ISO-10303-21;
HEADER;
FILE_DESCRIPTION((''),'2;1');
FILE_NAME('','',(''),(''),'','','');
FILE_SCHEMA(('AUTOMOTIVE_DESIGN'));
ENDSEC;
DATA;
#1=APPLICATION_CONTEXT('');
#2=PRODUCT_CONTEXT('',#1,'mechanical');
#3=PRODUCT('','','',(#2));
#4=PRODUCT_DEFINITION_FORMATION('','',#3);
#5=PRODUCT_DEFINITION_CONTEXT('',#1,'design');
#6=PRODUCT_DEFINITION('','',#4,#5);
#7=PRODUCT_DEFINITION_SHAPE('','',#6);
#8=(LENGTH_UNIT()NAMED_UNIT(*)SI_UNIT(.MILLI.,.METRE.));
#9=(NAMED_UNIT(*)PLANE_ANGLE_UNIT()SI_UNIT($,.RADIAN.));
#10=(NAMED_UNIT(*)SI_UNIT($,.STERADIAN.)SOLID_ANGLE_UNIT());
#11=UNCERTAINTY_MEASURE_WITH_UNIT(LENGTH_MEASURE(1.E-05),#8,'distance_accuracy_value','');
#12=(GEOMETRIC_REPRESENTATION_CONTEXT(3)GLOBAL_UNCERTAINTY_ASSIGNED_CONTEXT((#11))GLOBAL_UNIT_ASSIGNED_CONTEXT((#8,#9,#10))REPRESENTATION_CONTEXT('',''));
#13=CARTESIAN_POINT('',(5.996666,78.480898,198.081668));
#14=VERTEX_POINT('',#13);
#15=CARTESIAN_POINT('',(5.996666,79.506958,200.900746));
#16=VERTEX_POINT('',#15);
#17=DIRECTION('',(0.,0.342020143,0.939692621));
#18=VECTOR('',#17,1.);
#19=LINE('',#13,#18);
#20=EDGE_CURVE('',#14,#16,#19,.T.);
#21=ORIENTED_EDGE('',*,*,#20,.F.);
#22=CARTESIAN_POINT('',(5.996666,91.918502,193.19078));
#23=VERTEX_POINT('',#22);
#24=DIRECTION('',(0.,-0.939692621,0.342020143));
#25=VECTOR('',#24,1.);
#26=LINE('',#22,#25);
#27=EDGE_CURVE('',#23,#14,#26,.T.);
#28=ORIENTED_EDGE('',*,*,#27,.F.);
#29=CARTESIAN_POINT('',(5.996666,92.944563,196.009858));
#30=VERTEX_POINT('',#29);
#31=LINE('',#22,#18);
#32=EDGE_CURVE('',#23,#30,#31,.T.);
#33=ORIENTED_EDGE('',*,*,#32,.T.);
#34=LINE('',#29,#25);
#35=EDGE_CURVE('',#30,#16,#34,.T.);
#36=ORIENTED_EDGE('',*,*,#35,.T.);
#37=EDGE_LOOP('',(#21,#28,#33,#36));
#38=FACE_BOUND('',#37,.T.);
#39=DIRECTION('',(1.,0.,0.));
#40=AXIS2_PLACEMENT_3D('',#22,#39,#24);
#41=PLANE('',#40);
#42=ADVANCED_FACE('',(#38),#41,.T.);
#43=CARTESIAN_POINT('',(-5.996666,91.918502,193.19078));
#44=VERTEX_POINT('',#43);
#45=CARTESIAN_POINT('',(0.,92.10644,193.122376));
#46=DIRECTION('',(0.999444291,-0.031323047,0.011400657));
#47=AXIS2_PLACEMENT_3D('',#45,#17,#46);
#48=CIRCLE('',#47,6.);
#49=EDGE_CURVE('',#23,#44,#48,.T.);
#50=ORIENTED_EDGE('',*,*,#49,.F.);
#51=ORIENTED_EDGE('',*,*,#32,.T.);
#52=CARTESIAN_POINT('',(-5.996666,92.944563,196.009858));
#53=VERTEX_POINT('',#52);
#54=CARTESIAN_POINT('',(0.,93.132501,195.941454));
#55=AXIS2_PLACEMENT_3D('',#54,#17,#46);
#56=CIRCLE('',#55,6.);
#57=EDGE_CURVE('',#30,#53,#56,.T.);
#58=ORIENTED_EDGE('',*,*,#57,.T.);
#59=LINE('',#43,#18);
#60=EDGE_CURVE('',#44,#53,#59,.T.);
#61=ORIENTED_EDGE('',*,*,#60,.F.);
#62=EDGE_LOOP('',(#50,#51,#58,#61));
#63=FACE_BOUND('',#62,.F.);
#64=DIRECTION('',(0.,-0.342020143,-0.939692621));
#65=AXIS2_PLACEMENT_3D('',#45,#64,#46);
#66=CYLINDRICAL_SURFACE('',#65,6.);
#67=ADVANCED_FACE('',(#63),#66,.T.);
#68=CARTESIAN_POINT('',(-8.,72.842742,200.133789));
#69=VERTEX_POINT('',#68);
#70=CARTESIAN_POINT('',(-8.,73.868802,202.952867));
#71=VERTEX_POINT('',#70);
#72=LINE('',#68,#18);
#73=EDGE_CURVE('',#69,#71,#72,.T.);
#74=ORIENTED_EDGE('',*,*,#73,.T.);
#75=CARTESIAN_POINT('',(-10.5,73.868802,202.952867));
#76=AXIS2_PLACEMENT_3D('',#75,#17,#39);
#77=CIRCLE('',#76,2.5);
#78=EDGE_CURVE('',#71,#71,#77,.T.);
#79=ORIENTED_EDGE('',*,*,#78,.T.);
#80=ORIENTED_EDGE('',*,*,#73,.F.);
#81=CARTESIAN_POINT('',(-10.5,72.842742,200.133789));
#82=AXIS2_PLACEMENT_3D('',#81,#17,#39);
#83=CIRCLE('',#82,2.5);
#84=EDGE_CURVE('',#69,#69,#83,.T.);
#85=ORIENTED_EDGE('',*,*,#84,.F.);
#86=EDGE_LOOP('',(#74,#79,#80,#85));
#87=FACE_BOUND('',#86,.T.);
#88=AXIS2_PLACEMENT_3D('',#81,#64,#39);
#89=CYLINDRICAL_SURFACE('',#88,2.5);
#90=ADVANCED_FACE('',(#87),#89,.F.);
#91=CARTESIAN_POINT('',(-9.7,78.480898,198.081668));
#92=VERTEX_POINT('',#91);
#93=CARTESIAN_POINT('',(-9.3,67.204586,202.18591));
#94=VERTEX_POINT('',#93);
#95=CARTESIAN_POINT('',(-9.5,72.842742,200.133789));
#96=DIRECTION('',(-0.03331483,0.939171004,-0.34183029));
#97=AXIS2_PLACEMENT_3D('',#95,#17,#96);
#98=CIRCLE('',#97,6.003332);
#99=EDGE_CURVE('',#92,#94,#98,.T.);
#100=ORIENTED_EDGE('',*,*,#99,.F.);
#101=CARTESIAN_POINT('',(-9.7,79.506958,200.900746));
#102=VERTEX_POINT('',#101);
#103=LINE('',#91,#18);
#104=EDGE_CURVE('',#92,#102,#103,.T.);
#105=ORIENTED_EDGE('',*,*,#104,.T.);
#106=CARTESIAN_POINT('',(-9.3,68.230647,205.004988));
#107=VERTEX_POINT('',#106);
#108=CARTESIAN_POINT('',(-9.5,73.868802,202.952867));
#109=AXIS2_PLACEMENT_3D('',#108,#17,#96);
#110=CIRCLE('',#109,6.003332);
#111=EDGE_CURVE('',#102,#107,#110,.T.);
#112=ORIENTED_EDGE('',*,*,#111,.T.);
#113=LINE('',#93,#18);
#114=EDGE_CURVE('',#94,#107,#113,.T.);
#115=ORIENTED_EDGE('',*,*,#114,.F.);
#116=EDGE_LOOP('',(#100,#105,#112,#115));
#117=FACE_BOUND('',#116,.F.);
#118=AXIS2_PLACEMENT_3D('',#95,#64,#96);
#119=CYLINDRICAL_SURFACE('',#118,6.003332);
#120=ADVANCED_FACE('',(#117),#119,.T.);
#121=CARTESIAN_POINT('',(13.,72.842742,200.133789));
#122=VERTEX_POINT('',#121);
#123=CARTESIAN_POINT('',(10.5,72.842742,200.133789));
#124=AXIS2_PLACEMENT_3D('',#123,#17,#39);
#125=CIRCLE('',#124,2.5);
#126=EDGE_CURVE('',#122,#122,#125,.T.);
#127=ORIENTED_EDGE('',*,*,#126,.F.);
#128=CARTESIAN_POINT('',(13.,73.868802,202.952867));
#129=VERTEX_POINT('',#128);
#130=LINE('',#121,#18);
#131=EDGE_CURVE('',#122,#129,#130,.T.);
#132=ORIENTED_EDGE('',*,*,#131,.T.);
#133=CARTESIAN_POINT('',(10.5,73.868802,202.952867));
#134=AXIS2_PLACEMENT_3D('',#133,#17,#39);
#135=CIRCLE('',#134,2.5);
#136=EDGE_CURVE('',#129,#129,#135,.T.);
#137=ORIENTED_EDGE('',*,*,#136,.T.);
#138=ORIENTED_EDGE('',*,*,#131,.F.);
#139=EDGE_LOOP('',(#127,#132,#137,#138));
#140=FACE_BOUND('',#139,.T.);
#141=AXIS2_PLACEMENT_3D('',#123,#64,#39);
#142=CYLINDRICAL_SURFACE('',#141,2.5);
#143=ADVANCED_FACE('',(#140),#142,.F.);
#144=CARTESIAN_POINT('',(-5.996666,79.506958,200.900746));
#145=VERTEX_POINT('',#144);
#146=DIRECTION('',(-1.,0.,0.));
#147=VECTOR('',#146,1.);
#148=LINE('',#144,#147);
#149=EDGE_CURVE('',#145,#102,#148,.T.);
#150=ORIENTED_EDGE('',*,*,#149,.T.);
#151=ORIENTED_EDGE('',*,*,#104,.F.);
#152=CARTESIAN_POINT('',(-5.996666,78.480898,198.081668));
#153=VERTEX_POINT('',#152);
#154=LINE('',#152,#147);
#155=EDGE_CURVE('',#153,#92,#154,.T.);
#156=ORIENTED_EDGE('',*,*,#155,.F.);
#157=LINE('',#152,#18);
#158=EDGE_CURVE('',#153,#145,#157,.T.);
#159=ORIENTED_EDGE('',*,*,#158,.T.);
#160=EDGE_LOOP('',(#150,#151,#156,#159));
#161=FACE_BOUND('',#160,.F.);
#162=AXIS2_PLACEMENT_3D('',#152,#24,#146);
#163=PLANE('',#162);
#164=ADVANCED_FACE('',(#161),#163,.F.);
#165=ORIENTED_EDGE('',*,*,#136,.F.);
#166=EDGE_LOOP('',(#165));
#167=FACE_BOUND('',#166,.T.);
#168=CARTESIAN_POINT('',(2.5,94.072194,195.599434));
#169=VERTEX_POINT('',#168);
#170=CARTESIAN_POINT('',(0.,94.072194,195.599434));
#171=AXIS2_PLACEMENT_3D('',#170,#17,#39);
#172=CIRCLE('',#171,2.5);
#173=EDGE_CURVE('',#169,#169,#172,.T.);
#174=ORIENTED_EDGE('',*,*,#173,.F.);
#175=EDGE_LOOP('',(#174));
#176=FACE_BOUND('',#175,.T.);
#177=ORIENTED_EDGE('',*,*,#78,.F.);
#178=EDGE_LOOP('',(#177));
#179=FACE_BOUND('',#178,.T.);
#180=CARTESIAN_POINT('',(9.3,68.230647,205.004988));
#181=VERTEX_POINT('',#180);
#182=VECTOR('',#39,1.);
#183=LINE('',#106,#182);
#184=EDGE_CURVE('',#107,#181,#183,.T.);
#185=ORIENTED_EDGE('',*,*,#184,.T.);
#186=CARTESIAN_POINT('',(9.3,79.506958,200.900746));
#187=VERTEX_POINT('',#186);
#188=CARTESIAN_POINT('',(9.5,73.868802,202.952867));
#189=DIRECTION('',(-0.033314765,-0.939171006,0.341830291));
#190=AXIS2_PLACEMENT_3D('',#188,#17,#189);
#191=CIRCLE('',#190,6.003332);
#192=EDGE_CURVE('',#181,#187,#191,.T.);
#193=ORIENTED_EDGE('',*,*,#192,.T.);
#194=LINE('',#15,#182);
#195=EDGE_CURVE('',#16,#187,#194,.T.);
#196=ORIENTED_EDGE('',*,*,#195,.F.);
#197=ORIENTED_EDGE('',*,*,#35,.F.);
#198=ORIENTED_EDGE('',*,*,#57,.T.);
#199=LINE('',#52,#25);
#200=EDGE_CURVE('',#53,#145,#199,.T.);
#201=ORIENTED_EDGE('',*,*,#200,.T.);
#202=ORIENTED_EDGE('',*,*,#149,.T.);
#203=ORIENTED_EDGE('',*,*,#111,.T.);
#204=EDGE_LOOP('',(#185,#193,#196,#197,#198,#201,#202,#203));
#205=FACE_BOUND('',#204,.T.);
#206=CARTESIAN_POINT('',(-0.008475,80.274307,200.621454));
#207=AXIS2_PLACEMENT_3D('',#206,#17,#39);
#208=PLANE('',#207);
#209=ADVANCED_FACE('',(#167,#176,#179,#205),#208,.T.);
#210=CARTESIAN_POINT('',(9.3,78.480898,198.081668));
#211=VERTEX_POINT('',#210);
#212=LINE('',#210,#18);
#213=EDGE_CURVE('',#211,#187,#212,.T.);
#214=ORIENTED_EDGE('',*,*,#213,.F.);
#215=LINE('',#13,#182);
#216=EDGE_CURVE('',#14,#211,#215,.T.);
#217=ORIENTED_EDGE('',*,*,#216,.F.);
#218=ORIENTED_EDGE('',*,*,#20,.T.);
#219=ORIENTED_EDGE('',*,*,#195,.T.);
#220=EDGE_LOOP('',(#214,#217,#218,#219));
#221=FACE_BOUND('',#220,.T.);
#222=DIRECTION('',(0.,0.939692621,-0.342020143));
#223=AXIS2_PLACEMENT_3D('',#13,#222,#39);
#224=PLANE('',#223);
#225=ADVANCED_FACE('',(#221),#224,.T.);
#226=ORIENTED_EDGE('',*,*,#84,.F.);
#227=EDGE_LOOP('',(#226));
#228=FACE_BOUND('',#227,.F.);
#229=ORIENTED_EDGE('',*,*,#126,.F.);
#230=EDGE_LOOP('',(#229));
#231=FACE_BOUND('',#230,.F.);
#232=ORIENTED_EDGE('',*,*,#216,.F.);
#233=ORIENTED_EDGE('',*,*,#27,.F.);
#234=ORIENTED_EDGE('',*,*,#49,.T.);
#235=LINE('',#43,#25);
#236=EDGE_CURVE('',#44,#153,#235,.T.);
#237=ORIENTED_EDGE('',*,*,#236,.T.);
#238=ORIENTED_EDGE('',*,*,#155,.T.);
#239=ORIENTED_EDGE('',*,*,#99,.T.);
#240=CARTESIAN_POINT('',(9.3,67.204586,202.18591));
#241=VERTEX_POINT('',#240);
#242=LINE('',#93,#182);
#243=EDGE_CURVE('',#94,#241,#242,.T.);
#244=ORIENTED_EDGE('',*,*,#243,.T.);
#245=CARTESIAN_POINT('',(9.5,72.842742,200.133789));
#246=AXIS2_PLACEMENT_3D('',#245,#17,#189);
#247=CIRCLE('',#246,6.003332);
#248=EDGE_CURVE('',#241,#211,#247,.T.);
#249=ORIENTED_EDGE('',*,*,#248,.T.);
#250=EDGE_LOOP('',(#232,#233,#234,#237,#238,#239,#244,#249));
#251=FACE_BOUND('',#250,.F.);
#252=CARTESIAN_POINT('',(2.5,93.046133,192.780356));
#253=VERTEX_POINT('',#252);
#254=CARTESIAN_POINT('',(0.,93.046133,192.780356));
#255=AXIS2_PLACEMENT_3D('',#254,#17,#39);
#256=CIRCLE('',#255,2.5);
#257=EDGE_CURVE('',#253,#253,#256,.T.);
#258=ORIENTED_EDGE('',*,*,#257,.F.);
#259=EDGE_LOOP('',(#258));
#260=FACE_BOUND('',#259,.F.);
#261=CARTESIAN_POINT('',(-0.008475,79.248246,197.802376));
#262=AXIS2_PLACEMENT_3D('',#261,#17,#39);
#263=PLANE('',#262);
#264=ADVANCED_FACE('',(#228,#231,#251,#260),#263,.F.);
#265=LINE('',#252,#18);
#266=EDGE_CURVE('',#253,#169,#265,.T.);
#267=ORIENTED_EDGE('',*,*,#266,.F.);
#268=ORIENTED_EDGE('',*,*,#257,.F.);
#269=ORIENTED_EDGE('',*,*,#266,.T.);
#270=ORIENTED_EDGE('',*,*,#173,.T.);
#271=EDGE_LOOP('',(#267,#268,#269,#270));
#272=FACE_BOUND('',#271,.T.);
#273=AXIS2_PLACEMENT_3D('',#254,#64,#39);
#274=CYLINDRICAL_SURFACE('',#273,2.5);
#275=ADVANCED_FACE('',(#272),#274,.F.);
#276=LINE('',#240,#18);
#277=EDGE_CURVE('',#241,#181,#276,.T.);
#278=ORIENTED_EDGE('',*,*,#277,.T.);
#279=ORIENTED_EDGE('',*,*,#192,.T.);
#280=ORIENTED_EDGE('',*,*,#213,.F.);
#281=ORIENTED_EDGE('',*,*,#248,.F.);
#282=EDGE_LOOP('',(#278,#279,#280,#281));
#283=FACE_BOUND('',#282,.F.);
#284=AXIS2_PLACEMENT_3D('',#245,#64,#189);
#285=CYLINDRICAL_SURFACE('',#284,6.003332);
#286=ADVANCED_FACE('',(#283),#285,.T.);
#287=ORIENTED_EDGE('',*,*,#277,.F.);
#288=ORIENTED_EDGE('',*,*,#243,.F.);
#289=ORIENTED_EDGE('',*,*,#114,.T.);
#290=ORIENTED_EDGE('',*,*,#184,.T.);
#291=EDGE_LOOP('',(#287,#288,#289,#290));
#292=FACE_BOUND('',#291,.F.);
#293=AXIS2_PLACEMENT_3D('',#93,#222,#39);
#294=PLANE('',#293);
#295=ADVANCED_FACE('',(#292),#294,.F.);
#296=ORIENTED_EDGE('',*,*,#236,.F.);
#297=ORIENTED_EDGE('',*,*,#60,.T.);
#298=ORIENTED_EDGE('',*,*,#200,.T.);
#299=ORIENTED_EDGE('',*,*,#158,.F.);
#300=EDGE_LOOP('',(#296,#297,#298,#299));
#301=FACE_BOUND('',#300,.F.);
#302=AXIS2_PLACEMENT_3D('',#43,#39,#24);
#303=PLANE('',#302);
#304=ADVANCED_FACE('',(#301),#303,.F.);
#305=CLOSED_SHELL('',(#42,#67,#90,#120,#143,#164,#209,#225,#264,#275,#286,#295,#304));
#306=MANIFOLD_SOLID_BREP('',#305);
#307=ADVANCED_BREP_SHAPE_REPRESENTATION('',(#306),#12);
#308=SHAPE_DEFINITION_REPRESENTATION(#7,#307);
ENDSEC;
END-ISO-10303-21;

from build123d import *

# Parameters (mm, degrees)
SKETCH001_AS_DRAWN_R                   = 2.5
EXTRUDE_DEPTH                          = 3
EXTRUDE_ONTO_SKETCH001_PLACEMENT_ANGLE = 20


with BuildPart() as part:
    # Sketch001 as drawn → Extrude (new)
    with BuildSketch(Plane.XY):
        with BuildLine():
            ThreePointArc((5.996666, 20.3), (0, 26.5), (-5.996666, 20.3))
            Line((-5.996666, 20.3), (-5.996666, 17))
            Line((-5.996666, 17), (-5.996666, 6))
            Line((-5.996666, 6), (-9.7, 6))
            ThreePointArc((-9.7, 6), (-15.5, -0.2), (-9.3, -6))
            Line((-9.3, -6), (-6, -6))
            Line((-6, -6), (6, -6))
            Line((6, -6), (9.3, -6))
            ThreePointArc((9.3, -6), (15.503332, 0), (9.3, 6))
            Line((5.996666, 6), (9.3, 6))
            Line((5.996666, 17), (5.996666, 6))
            Line((5.996666, 20.3), (5.996666, 17))
        make_face()
        with Locations((0, 21.5)):
            Circle(SKETCH001_AS_DRAWN_R, mode=Mode.SUBTRACT)
        with Locations((-10.5, 0)):
            Circle(SKETCH001_AS_DRAWN_R, mode=Mode.SUBTRACT)
        with Locations((10.5, 0)):
            Circle(SKETCH001_AS_DRAWN_R, mode=Mode.SUBTRACT)
    extrude(amount=EXTRUDE_DEPTH)


with BuildPart() as part_1:
    # Extrude onto Sketch001 placement: moved
    add(part.part.moved(Location((0, 72.842742, 200.133789))).rotate(Axis((0, 72.842742, 200.133789), (-1, 0, 0)), EXTRUDE_ONTO_SKETCH001_PLACEMENT_ANGLE))


solid = part_1.part
